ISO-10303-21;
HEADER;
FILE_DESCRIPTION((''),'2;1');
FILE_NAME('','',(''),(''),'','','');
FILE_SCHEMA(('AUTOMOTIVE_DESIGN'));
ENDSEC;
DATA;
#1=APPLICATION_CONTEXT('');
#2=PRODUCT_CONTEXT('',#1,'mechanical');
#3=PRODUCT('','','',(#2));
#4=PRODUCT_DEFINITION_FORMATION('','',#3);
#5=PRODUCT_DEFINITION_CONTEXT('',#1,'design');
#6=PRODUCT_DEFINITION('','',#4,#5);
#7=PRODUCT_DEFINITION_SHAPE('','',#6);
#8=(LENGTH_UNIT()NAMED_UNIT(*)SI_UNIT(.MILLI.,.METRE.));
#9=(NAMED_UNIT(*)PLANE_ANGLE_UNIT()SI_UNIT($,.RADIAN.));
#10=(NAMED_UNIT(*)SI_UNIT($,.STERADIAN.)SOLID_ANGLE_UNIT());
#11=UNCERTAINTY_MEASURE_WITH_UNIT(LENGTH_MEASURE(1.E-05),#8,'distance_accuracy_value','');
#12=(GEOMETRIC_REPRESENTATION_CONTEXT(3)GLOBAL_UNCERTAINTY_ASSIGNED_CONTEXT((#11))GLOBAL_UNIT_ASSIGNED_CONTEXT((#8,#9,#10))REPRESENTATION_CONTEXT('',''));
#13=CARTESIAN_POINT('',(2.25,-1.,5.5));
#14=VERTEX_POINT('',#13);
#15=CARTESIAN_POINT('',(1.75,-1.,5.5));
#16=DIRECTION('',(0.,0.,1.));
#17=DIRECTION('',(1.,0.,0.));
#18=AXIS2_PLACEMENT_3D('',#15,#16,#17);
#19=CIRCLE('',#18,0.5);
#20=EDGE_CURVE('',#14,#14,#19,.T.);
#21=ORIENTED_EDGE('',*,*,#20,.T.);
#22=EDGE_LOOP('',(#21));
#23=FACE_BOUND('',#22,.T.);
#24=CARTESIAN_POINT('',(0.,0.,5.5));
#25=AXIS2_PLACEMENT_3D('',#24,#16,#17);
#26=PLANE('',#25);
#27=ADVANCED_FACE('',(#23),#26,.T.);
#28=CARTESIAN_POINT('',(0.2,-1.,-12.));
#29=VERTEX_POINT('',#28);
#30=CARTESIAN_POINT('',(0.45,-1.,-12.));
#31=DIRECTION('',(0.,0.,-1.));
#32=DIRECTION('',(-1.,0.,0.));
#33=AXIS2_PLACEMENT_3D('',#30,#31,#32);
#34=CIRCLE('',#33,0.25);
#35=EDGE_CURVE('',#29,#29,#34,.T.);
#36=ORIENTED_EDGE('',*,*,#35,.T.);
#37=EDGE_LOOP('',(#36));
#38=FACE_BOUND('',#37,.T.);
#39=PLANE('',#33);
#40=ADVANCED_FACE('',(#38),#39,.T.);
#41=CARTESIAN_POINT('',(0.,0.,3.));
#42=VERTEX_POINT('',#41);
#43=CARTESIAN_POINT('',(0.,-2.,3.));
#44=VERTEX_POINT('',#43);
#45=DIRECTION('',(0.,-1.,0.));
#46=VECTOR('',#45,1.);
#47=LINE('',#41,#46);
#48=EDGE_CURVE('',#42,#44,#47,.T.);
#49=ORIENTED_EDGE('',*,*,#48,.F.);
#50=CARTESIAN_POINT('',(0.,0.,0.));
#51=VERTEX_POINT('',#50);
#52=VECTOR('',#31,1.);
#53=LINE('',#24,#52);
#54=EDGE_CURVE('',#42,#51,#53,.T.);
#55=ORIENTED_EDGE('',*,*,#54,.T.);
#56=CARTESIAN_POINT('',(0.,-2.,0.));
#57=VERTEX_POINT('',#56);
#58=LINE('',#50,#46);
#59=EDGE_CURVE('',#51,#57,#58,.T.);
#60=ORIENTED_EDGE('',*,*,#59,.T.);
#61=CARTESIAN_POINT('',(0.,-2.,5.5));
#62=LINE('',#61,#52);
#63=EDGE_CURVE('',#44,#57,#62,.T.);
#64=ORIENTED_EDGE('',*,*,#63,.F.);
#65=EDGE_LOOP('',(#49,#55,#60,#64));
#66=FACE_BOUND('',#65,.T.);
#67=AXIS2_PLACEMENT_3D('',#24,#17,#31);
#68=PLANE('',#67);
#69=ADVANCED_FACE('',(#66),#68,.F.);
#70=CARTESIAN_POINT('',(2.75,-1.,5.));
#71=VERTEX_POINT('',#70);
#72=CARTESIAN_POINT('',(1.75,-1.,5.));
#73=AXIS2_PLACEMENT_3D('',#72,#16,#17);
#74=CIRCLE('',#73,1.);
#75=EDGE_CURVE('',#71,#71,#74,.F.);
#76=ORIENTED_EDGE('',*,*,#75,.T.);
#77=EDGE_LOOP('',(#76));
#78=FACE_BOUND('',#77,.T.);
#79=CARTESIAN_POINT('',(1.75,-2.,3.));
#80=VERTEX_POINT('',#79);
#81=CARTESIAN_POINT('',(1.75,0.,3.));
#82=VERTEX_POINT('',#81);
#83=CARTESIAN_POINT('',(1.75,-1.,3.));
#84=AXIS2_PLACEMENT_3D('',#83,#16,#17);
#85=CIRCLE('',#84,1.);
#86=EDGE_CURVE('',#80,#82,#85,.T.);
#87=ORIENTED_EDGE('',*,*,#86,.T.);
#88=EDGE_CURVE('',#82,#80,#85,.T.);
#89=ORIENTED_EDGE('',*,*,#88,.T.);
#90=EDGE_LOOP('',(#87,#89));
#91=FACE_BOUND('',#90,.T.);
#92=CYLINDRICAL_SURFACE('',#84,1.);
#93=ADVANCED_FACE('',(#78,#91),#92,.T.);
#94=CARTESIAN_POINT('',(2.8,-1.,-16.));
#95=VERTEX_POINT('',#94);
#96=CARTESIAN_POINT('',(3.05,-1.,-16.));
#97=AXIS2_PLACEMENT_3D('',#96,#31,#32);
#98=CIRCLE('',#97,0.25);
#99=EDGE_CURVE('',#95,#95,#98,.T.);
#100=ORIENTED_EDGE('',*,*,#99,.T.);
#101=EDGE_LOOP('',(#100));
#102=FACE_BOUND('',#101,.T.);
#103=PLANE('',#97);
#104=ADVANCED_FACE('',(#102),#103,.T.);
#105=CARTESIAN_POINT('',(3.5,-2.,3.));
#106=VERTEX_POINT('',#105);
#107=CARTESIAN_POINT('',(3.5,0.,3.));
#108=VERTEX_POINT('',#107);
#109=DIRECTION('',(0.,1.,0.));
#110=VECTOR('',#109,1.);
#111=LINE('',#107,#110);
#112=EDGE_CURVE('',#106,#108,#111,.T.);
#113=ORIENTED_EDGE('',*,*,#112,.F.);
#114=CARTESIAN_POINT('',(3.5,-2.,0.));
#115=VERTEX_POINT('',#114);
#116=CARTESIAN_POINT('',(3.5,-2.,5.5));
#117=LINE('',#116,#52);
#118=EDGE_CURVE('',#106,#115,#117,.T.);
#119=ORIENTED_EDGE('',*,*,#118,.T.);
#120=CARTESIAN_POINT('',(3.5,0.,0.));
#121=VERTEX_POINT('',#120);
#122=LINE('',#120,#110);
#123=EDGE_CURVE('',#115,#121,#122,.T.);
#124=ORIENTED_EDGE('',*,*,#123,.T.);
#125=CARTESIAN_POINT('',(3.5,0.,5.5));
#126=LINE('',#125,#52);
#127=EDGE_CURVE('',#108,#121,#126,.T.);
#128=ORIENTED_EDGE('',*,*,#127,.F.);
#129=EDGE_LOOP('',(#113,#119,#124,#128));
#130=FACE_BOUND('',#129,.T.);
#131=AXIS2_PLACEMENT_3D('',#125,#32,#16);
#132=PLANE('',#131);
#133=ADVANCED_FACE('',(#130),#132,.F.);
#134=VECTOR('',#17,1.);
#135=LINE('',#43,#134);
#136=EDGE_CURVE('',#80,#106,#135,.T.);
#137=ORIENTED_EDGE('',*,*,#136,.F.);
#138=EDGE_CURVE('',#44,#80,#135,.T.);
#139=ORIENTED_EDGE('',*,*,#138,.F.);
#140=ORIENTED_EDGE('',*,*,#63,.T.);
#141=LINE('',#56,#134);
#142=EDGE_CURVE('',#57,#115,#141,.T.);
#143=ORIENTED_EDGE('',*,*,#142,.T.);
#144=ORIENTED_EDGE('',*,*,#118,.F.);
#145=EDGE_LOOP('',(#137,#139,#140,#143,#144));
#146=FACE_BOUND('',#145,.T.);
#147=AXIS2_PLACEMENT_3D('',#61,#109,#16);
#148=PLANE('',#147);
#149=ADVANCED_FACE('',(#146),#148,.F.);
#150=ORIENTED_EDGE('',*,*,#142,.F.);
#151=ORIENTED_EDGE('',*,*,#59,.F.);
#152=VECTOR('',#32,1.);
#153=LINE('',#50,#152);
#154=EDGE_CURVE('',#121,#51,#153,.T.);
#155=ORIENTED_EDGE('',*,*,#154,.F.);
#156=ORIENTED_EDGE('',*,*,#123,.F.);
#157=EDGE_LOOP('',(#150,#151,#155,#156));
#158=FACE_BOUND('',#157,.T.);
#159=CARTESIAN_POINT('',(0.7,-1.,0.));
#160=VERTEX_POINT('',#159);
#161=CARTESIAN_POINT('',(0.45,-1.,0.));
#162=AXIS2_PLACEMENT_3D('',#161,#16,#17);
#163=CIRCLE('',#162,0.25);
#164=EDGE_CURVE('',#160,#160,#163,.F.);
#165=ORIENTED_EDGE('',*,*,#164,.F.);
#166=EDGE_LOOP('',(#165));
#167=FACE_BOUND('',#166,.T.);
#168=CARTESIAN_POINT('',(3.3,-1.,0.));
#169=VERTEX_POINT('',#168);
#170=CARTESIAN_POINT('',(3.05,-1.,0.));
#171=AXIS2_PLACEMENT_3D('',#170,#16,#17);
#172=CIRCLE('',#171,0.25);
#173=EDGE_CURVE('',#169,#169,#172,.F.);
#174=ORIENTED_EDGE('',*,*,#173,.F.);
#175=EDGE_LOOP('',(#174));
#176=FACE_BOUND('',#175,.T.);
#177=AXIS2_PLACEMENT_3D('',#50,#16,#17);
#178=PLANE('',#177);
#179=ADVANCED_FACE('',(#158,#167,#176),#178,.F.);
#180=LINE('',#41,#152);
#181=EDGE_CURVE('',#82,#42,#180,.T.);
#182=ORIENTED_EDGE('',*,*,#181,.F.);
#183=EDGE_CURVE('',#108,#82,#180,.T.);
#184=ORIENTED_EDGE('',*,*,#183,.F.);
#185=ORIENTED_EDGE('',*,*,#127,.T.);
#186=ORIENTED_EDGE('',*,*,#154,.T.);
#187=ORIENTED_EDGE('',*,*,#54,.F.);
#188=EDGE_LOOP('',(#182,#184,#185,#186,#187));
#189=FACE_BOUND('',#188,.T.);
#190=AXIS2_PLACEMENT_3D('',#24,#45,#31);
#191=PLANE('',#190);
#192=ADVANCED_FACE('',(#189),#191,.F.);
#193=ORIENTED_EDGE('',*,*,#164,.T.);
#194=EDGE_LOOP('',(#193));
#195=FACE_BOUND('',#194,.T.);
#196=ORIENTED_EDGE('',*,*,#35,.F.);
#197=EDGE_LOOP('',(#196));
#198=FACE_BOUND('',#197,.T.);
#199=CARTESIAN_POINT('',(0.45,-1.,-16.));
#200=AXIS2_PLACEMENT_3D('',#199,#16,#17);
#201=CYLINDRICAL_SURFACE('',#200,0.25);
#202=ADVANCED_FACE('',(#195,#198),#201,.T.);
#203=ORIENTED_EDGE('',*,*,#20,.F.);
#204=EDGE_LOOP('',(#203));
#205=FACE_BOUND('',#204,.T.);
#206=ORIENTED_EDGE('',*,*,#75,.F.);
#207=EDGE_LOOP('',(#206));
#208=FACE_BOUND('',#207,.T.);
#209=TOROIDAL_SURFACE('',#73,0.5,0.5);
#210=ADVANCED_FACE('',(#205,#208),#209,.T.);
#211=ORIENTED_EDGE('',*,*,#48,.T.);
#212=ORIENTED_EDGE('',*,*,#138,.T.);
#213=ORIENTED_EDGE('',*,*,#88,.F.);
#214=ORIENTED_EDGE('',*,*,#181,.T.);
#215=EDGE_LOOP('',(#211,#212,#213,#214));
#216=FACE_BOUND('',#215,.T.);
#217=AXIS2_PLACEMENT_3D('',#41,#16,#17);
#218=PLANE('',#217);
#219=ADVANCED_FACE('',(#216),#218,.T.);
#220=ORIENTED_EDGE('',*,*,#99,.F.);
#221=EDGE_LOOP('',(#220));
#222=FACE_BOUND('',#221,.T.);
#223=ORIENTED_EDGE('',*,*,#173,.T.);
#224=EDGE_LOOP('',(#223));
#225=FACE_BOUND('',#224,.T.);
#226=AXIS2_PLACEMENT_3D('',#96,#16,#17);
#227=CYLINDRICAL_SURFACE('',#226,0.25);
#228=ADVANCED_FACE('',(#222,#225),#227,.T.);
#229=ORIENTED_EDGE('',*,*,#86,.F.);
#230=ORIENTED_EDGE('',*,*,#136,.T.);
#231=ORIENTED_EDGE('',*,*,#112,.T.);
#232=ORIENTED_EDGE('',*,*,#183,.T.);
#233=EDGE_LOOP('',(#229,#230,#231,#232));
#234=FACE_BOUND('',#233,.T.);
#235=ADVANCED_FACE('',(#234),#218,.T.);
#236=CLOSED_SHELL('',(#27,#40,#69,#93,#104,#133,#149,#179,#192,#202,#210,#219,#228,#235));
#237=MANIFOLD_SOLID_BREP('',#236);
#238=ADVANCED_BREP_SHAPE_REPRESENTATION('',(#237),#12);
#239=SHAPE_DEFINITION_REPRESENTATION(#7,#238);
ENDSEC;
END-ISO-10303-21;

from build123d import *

# Parameters (mm, degrees)
ESBO_O1_W                = 3.4999999999999996
ESBO_O1_H                = 2
RESSALTO_EXTRUS_O1_DEPTH = 5.5
CORTE_EXTRUS_O1_DEPTH    = 2.5
FILETE1_R                = 0.5
ESBO_O3_R                = 0.2500000000000004
ESBO_O3_R_2              = 0.25
RESSALTO_EXTRUS_O2_DEPTH = 16
ESBO_O4_R                = 0.35087883808626286
CORTE_EXTRUS_O2_DEPTH    = 3.9999999999999933


with BuildPart() as part:
    # Esboço1 → Ressalto-extrusão1 (new body)
    with BuildSketch(Plane.XY):
        with Locations((1.7499999999999998, -1)):
            Rectangle(ESBO_O1_W, ESBO_O1_H)
    extrude(amount=RESSALTO_EXTRUS_O1_DEPTH)

    # Esboço2 → Corte-extrusão1 (cut)
    with BuildSketch(Plane.XY.offset(5.5)):
        with BuildLine():
            Line((0, -2), (1.7499999999999791, -1.9999999999999998))
            ThreePointArc((1.7499999999999791, -2), (0.7499999999999996, -1.000000000000021), (1.7499999999999365, 2.2e-16))
            Line((1.7499999999999365, 0), (0, 0))
            Line((0, 0), (0, -2))
        make_face()
        with BuildLine():
            Line((1.7499999999999791, -1.9999999999999998), (3.4999999999999996, -1.9999999999999996))
            Line((3.4999999999999996, -1.9999999999999996), (3.4999999999999996, 0))
            Line((3.4999999999999996, 0), (1.7499999999999365, 0))
            ThreePointArc((1.7499999999999365, 2.2e-16), (2.457106781186525, -0.29289321881343), (2.75, -1))
            ThreePointArc((2.75, -1.0000000000000002), (2.4571067811865404, -1.7071067811865546), (1.7499999999999791, -2))
        make_face()
    extrude(amount=-CORTE_EXTRUS_O1_DEPTH, mode=Mode.SUBTRACT)

    # Filete1
    filete1_edges = [part.edges().sort_by_distance(p)[0] for p in [
        (1.7500000000000198, 2.2e-16, 5.5),
    ]]
    fillet(filete1_edges, radius=FILETE1_R)

    # Esboço3 → Ressalto-extrusão2 (add)
    with BuildSketch(Plane(origin=(0, 0, 0), x_dir=(-1, 0, 0), z_dir=(0, 0, -1))):
        with Locations(Location((-3.05, -1, 0), (0, 0, 180))):
            Circle(ESBO_O3_R)
        with Locations(Location((-0.45, -1, 0), (0, 0, 180))):
            Circle(ESBO_O3_R_2)
    extrude(amount=RESSALTO_EXTRUS_O2_DEPTH)

    # Esboço4 → Corte-extrusão2 (cut)
    with BuildSketch(Plane(origin=(0, 0, -16), x_dir=(-1, 0, 0), z_dir=(0, 0, -1))):
        with Locations((-0.45, -1)):
            Circle(ESBO_O4_R)
    extrude(amount=-CORTE_EXTRUS_O2_DEPTH, mode=Mode.SUBTRACT)


solid = part.part
